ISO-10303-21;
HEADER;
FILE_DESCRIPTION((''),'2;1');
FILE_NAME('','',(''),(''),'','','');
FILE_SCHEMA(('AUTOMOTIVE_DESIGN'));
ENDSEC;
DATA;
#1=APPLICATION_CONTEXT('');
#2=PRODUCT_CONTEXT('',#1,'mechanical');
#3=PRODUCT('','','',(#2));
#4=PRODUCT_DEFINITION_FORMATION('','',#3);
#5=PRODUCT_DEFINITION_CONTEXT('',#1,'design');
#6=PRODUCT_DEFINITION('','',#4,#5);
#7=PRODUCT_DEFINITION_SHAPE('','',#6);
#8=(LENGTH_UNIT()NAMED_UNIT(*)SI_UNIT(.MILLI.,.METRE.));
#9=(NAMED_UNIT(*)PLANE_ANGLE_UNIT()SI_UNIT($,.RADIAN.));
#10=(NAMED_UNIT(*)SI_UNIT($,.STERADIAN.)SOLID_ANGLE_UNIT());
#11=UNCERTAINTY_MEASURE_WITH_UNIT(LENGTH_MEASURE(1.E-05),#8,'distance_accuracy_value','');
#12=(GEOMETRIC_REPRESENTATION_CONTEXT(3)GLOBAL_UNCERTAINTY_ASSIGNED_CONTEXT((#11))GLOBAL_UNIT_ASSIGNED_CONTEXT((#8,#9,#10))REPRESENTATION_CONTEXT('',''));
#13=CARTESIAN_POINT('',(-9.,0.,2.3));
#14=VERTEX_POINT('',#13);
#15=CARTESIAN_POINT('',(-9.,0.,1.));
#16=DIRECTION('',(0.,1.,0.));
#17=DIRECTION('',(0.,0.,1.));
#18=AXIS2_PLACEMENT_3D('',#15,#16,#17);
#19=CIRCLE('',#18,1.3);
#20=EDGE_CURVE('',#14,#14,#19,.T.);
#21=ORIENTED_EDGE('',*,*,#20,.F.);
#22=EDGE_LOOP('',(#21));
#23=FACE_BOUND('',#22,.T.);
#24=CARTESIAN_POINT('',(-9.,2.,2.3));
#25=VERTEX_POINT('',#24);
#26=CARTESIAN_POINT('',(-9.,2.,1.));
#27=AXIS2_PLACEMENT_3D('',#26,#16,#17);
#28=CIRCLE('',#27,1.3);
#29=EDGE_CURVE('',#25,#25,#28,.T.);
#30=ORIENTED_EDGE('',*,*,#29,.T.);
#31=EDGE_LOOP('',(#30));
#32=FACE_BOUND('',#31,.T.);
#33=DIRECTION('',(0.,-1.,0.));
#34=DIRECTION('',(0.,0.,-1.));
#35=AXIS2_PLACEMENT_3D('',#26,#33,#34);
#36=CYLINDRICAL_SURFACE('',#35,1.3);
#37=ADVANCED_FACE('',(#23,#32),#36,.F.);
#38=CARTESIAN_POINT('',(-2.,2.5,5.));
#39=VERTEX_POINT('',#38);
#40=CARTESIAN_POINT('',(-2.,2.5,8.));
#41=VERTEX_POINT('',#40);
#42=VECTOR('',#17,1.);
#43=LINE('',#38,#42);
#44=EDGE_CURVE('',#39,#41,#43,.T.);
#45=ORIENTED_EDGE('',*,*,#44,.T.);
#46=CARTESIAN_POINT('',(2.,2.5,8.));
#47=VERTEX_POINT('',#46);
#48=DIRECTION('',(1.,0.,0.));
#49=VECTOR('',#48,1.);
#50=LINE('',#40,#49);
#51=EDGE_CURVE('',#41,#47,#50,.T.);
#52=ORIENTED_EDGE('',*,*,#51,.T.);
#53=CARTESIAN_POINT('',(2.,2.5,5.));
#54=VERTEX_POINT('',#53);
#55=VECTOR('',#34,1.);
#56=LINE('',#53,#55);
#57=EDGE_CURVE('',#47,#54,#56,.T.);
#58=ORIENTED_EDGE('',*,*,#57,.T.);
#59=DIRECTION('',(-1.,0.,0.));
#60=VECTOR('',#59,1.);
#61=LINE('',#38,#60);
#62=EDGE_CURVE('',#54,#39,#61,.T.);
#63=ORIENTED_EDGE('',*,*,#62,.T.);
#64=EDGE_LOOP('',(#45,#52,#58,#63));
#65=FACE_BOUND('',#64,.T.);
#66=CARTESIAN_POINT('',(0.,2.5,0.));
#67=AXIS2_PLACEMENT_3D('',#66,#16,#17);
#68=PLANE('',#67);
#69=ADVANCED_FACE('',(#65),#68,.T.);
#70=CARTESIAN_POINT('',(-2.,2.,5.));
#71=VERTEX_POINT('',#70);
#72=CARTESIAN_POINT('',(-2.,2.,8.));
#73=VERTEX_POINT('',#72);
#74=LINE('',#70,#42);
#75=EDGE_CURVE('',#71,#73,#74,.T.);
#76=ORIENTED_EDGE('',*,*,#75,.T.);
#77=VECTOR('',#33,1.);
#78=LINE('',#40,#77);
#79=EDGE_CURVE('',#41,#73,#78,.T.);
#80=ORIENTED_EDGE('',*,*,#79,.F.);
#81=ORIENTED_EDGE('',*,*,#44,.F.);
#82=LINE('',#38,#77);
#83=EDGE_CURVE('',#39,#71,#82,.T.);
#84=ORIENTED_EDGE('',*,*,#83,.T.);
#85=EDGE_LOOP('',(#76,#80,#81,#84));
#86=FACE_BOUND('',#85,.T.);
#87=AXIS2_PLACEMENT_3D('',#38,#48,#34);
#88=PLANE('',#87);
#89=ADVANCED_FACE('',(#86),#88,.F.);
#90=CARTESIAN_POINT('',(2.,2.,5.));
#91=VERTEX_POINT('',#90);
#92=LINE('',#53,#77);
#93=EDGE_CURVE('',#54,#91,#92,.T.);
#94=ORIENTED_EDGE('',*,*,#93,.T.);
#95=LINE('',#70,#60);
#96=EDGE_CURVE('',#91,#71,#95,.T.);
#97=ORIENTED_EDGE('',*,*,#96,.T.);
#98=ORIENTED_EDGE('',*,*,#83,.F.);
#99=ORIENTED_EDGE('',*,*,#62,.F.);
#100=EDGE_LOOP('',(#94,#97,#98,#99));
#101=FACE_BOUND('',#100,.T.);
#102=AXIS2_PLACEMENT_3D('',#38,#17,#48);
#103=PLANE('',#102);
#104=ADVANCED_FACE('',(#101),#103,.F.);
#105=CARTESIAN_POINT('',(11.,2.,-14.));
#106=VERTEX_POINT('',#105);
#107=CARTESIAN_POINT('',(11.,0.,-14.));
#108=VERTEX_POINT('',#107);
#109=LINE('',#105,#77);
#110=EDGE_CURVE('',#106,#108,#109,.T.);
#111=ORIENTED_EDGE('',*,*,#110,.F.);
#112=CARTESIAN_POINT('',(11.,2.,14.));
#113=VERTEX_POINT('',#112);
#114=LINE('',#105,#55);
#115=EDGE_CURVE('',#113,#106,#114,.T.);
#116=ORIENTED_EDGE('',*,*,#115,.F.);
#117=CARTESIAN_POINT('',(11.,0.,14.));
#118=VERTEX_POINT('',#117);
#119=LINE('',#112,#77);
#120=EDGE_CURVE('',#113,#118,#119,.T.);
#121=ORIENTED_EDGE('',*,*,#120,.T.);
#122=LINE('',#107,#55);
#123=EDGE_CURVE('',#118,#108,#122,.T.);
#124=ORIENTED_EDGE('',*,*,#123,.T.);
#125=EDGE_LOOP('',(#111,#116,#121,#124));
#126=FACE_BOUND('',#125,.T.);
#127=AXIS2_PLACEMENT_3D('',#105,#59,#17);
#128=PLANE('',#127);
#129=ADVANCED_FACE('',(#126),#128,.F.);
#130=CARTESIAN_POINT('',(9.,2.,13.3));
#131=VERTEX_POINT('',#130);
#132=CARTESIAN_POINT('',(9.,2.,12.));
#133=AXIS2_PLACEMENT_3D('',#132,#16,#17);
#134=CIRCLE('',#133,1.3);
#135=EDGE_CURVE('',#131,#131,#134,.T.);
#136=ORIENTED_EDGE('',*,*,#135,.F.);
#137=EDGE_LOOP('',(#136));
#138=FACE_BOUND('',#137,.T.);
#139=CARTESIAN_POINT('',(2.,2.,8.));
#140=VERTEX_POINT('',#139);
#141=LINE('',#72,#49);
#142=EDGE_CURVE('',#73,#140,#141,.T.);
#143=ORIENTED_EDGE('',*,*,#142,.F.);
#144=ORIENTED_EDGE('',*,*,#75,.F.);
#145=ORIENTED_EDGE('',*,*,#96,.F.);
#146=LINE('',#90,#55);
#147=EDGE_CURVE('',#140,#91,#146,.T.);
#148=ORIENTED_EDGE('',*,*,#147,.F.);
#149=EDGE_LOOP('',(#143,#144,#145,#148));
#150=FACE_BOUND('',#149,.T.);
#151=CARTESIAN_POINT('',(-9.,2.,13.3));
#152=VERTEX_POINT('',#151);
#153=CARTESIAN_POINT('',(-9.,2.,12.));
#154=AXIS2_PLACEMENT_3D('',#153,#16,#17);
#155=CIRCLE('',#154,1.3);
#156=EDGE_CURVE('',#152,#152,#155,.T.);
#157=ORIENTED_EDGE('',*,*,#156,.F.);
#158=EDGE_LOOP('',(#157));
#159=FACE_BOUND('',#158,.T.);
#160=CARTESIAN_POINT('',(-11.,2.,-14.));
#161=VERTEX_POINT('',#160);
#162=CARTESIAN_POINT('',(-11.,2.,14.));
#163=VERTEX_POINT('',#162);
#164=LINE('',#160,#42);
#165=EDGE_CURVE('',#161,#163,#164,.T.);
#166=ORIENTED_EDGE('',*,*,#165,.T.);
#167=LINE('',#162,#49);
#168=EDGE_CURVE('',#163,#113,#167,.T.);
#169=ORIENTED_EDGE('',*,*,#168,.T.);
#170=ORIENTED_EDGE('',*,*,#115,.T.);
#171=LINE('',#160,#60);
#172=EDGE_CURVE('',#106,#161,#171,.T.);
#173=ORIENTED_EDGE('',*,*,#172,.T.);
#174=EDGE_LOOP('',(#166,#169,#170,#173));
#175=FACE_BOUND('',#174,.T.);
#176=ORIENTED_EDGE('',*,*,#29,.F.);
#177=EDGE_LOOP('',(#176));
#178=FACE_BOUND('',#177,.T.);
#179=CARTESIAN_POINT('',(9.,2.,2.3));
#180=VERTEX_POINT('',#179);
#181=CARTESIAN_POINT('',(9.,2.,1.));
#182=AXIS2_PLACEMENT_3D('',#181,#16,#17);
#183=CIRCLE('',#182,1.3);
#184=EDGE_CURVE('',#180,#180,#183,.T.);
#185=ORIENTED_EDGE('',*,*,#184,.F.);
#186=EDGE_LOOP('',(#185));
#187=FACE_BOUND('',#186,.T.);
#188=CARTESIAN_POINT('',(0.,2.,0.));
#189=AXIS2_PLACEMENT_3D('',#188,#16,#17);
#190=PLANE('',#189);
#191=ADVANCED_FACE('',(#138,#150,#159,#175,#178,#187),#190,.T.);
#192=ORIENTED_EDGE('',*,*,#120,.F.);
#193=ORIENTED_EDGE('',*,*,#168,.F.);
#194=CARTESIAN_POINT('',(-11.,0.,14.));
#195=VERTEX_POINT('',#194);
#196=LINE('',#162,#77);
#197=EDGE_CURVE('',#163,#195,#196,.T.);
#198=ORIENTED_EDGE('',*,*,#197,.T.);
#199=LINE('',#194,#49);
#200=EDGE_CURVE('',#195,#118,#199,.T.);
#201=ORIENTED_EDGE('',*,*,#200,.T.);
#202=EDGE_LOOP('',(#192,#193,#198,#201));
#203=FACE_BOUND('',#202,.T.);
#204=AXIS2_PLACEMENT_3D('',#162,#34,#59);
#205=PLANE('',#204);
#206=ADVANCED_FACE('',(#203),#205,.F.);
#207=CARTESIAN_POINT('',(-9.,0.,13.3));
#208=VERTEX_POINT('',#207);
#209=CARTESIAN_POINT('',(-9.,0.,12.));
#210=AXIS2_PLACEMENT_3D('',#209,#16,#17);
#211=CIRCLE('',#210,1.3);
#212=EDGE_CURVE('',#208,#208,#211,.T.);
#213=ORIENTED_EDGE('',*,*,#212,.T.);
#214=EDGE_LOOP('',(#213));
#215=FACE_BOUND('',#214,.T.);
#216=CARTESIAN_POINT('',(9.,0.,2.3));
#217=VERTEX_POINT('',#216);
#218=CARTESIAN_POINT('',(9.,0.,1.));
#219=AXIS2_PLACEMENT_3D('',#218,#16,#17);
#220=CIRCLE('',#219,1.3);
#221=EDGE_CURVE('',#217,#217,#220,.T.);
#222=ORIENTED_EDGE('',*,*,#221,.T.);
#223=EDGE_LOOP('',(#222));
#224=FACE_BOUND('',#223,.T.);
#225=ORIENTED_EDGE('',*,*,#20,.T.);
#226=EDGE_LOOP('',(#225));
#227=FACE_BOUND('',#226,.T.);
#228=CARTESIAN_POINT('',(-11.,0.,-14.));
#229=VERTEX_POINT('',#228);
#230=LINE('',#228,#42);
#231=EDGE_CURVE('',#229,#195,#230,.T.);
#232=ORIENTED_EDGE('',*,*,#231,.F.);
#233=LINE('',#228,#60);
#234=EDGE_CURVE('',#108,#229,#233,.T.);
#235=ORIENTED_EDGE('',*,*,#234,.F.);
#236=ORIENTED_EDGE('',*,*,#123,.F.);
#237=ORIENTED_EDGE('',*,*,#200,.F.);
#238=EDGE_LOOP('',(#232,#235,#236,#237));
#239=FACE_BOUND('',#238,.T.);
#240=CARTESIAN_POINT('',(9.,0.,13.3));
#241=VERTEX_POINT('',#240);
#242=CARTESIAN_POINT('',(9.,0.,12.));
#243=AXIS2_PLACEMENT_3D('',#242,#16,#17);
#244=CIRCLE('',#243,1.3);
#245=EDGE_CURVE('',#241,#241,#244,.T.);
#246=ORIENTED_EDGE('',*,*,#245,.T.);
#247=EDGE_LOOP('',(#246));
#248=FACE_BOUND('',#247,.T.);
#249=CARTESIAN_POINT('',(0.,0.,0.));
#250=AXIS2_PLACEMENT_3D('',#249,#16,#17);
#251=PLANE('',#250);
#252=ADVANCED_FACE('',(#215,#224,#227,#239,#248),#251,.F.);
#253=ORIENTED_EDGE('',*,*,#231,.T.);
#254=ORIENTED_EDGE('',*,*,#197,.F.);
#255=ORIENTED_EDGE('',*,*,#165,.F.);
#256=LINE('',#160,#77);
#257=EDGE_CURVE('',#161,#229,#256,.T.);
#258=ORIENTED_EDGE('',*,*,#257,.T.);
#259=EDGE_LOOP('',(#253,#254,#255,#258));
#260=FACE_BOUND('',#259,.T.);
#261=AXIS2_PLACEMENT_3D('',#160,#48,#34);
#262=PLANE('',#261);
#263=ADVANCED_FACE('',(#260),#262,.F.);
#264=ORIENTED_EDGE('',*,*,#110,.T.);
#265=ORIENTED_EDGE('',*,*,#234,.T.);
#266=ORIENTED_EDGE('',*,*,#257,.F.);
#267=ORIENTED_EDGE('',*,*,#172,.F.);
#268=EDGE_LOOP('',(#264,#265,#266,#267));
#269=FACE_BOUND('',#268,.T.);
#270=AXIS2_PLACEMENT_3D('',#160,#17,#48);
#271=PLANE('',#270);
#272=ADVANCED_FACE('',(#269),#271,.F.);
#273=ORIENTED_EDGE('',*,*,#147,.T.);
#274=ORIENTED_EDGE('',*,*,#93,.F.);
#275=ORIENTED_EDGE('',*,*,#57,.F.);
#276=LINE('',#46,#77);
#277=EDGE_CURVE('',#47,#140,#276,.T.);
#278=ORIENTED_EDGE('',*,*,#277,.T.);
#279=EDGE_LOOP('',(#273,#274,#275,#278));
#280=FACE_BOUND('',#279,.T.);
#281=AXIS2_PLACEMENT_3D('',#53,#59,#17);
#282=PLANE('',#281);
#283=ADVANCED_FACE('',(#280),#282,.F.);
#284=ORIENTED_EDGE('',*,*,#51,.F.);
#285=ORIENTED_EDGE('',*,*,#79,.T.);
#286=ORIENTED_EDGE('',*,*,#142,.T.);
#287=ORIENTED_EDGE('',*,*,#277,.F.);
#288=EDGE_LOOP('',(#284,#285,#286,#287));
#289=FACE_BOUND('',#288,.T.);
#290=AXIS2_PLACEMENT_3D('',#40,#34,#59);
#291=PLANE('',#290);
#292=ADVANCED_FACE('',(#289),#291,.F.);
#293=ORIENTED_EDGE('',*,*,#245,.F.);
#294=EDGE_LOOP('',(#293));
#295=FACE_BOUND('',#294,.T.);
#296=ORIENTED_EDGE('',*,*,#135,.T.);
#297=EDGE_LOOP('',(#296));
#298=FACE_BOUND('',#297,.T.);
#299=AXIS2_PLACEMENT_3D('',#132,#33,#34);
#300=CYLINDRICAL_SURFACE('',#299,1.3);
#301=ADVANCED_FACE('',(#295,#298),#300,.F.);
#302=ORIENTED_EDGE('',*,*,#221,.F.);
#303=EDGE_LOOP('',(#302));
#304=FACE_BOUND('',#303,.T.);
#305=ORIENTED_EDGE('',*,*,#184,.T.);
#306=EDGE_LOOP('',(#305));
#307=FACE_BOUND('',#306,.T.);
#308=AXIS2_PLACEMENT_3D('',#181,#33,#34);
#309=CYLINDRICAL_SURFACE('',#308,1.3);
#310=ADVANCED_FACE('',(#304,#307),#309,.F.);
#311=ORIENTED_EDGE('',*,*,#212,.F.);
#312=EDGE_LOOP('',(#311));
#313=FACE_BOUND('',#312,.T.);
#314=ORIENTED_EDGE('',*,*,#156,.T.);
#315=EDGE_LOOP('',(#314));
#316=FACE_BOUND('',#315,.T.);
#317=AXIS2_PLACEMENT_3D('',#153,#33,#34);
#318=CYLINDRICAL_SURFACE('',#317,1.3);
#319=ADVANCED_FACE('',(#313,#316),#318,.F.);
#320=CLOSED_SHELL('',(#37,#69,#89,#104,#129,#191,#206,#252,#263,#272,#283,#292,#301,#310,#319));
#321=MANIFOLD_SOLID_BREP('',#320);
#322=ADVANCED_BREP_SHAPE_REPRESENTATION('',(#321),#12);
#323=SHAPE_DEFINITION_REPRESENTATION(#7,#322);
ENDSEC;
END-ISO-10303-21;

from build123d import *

# Parameters (mm, degrees)
SKETCH1_W           = 22
SKETCH1_H           = 28
SKETCH1_R           = 1.3
BOSS_EXTRUDE1_DEPTH = 2
SKETCH2_W           = 4
SKETCH2_H           = 3
BOSS_EXTRUDE2_DEPTH = 0.5


with BuildPart() as part:
    # Sketch1 → Boss-Extrude1 (new body)
    with BuildSketch(Plane(origin=(0, 0, 0), x_dir=(1, 0, 0), z_dir=(0, 1, 0))):
        Rectangle(SKETCH1_W, SKETCH1_H)
        with Locations(Location((9, -12, 0), (0, 0, 270))):
            Circle(SKETCH1_R, mode=Mode.SUBTRACT)
        with Locations(Location((-9, -12, 0), (0, 0, 270))):
            Circle(SKETCH1_R, mode=Mode.SUBTRACT)
        with Locations(Location((9, -1, 0), (0, 0, 270))):
            Circle(SKETCH1_R, mode=Mode.SUBTRACT)
        with Locations(Location((-9, -1, 0), (0, 0, 270))):
            Circle(SKETCH1_R, mode=Mode.SUBTRACT)
    extrude(amount=BOSS_EXTRUDE1_DEPTH)

    # Sketch2 → Boss-Extrude2 (add)
    with BuildSketch(Plane(origin=(0, 2, 0), x_dir=(1, 0, 0), z_dir=(0, 1, 0))):
        with Locations((0, -6.5)):
            Rectangle(SKETCH2_W, SKETCH2_H)
    extrude(amount=BOSS_EXTRUDE2_DEPTH)


solid = part.part
